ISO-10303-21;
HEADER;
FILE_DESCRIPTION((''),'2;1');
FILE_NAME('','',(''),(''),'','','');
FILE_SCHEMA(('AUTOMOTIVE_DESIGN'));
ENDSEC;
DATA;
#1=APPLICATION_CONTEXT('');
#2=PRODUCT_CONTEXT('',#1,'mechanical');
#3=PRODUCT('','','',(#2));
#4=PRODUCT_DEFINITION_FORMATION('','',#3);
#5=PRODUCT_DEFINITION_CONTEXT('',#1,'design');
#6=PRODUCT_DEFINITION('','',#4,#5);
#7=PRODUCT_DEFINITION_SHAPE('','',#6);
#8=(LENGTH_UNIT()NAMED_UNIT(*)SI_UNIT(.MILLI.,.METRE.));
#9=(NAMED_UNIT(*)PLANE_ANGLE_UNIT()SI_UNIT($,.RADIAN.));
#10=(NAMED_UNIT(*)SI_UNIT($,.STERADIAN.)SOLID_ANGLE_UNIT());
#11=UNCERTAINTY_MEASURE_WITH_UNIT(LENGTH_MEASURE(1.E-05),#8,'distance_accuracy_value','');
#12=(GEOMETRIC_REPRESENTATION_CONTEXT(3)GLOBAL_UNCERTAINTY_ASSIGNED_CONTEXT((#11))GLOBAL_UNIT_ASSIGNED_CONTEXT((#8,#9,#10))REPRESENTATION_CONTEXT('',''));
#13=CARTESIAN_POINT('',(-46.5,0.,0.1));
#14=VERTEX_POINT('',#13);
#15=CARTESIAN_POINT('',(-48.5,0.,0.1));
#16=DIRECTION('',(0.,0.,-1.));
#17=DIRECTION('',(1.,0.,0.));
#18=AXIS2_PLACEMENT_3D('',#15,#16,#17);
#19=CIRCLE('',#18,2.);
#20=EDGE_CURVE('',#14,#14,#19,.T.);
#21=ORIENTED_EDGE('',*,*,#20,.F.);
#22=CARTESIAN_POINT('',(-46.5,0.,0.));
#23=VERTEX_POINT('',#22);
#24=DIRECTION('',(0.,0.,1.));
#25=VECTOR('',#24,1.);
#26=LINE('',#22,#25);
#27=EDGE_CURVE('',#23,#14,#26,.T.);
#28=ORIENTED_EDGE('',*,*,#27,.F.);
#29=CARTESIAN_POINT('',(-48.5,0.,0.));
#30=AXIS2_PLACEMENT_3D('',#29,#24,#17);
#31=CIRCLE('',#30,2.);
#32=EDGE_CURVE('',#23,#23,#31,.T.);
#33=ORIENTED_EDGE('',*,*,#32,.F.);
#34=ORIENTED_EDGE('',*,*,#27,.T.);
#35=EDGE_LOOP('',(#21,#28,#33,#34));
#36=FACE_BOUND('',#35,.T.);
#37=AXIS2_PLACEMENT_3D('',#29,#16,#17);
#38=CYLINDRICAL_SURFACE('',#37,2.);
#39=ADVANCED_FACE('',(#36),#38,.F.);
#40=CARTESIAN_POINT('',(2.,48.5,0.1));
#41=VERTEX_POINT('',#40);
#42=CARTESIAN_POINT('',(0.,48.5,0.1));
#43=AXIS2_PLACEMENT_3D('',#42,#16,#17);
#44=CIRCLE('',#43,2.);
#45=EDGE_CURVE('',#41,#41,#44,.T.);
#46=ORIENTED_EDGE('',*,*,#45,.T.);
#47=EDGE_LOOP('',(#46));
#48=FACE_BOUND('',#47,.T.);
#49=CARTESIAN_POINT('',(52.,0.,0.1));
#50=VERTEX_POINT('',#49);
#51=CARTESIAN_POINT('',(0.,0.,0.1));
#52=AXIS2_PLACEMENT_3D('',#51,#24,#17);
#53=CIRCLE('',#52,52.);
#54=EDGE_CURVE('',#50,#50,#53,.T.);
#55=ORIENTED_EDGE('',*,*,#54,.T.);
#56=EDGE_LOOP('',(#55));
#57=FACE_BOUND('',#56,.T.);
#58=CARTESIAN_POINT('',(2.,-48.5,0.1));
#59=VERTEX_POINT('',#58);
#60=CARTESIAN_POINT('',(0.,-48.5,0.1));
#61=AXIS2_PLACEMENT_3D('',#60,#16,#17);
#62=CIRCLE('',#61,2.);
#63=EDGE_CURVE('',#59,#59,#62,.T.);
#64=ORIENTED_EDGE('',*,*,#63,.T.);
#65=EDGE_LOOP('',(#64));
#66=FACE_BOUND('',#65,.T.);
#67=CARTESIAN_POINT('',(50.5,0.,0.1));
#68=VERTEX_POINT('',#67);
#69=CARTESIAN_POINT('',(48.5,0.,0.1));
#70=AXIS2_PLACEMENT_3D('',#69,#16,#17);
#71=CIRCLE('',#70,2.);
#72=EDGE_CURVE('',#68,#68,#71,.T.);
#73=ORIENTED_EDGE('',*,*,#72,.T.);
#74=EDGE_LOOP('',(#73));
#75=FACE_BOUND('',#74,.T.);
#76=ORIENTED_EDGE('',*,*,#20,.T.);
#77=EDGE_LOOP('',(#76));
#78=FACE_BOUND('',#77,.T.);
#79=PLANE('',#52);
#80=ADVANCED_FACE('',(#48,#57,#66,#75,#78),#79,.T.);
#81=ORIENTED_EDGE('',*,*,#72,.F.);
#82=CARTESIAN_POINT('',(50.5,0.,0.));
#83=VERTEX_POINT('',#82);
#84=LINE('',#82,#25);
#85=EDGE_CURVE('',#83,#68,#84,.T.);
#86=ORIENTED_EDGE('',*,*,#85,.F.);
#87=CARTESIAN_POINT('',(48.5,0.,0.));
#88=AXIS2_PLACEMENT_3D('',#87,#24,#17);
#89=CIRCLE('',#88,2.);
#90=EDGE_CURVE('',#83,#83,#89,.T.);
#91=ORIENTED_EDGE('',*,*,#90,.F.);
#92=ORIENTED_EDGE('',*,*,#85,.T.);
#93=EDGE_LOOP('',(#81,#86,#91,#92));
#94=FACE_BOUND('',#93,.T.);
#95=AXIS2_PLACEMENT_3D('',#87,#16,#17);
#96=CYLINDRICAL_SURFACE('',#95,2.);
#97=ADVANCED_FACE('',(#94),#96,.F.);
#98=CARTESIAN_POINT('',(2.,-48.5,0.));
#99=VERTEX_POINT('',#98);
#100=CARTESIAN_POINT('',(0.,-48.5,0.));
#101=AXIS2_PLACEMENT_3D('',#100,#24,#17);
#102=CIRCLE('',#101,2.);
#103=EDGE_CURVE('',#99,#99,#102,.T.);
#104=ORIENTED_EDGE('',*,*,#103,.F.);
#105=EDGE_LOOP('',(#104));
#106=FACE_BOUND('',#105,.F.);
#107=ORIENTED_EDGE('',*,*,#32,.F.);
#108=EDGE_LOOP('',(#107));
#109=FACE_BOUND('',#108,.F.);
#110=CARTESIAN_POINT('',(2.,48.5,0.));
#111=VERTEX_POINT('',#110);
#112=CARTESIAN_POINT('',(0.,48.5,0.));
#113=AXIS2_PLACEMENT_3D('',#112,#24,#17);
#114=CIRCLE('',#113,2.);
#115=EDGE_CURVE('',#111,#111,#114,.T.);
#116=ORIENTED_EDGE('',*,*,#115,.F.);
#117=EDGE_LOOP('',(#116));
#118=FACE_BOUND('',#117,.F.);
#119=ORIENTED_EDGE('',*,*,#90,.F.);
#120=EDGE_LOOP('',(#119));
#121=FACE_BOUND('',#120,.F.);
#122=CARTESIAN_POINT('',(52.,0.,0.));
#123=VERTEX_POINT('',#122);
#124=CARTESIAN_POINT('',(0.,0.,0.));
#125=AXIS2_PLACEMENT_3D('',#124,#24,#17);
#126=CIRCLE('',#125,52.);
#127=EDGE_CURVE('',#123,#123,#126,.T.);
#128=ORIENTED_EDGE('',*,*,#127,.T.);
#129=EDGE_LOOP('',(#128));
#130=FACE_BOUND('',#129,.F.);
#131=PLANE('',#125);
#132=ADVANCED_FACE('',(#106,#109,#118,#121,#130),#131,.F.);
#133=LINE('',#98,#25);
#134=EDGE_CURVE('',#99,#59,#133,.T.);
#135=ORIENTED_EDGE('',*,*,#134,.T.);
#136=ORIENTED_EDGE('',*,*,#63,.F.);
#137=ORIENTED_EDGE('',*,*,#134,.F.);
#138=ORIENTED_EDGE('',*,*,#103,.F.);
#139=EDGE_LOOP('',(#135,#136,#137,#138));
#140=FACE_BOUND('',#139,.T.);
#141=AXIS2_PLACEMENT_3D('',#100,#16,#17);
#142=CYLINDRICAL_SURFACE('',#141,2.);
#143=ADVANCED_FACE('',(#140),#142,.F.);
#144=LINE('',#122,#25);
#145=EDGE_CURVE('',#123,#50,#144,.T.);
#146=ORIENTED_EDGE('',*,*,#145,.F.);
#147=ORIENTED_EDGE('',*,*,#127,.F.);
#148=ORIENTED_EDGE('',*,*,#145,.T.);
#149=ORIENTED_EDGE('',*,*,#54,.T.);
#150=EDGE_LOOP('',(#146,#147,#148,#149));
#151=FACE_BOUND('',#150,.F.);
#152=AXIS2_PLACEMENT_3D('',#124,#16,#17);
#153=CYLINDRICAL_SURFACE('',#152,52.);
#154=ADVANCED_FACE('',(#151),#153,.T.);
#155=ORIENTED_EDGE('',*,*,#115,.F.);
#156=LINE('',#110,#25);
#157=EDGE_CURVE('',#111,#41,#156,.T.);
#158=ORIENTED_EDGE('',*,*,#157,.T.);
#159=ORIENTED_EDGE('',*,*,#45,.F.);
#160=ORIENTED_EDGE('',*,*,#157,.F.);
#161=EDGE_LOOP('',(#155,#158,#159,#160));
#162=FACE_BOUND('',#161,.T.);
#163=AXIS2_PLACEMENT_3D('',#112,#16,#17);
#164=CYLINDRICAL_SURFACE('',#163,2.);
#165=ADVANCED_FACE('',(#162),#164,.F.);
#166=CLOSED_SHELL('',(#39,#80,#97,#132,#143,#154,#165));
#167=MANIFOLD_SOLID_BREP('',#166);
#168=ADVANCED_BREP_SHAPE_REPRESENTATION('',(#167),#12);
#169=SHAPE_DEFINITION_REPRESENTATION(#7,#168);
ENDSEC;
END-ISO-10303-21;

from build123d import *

# Parameters (mm, degrees)
F0_R     = 52
F1_DEPTH = 0.1
F2_R     = 2
F3_DEPTH = 0.101


with BuildPart() as f1:
    # F0 (on Top) → F1 (new body)
    with BuildSketch(Plane.XY):
        Circle(F0_R)
    extrude(amount=F1_DEPTH)

    # F2 (on Top) → F3 (cut, through all)
    with BuildSketch(Plane.XY):
        with Locations((48.5, 0)):
            Circle(F2_R)
        with Locations((0, 48.5)):
            Circle(F2_R)
        with Locations((-48.5, 0)):
            Circle(F2_R)
        with Locations((0, -48.5)):
            Circle(F2_R)
    extrude(amount=F3_DEPTH, mode=Mode.SUBTRACT)


solid = f1.part
